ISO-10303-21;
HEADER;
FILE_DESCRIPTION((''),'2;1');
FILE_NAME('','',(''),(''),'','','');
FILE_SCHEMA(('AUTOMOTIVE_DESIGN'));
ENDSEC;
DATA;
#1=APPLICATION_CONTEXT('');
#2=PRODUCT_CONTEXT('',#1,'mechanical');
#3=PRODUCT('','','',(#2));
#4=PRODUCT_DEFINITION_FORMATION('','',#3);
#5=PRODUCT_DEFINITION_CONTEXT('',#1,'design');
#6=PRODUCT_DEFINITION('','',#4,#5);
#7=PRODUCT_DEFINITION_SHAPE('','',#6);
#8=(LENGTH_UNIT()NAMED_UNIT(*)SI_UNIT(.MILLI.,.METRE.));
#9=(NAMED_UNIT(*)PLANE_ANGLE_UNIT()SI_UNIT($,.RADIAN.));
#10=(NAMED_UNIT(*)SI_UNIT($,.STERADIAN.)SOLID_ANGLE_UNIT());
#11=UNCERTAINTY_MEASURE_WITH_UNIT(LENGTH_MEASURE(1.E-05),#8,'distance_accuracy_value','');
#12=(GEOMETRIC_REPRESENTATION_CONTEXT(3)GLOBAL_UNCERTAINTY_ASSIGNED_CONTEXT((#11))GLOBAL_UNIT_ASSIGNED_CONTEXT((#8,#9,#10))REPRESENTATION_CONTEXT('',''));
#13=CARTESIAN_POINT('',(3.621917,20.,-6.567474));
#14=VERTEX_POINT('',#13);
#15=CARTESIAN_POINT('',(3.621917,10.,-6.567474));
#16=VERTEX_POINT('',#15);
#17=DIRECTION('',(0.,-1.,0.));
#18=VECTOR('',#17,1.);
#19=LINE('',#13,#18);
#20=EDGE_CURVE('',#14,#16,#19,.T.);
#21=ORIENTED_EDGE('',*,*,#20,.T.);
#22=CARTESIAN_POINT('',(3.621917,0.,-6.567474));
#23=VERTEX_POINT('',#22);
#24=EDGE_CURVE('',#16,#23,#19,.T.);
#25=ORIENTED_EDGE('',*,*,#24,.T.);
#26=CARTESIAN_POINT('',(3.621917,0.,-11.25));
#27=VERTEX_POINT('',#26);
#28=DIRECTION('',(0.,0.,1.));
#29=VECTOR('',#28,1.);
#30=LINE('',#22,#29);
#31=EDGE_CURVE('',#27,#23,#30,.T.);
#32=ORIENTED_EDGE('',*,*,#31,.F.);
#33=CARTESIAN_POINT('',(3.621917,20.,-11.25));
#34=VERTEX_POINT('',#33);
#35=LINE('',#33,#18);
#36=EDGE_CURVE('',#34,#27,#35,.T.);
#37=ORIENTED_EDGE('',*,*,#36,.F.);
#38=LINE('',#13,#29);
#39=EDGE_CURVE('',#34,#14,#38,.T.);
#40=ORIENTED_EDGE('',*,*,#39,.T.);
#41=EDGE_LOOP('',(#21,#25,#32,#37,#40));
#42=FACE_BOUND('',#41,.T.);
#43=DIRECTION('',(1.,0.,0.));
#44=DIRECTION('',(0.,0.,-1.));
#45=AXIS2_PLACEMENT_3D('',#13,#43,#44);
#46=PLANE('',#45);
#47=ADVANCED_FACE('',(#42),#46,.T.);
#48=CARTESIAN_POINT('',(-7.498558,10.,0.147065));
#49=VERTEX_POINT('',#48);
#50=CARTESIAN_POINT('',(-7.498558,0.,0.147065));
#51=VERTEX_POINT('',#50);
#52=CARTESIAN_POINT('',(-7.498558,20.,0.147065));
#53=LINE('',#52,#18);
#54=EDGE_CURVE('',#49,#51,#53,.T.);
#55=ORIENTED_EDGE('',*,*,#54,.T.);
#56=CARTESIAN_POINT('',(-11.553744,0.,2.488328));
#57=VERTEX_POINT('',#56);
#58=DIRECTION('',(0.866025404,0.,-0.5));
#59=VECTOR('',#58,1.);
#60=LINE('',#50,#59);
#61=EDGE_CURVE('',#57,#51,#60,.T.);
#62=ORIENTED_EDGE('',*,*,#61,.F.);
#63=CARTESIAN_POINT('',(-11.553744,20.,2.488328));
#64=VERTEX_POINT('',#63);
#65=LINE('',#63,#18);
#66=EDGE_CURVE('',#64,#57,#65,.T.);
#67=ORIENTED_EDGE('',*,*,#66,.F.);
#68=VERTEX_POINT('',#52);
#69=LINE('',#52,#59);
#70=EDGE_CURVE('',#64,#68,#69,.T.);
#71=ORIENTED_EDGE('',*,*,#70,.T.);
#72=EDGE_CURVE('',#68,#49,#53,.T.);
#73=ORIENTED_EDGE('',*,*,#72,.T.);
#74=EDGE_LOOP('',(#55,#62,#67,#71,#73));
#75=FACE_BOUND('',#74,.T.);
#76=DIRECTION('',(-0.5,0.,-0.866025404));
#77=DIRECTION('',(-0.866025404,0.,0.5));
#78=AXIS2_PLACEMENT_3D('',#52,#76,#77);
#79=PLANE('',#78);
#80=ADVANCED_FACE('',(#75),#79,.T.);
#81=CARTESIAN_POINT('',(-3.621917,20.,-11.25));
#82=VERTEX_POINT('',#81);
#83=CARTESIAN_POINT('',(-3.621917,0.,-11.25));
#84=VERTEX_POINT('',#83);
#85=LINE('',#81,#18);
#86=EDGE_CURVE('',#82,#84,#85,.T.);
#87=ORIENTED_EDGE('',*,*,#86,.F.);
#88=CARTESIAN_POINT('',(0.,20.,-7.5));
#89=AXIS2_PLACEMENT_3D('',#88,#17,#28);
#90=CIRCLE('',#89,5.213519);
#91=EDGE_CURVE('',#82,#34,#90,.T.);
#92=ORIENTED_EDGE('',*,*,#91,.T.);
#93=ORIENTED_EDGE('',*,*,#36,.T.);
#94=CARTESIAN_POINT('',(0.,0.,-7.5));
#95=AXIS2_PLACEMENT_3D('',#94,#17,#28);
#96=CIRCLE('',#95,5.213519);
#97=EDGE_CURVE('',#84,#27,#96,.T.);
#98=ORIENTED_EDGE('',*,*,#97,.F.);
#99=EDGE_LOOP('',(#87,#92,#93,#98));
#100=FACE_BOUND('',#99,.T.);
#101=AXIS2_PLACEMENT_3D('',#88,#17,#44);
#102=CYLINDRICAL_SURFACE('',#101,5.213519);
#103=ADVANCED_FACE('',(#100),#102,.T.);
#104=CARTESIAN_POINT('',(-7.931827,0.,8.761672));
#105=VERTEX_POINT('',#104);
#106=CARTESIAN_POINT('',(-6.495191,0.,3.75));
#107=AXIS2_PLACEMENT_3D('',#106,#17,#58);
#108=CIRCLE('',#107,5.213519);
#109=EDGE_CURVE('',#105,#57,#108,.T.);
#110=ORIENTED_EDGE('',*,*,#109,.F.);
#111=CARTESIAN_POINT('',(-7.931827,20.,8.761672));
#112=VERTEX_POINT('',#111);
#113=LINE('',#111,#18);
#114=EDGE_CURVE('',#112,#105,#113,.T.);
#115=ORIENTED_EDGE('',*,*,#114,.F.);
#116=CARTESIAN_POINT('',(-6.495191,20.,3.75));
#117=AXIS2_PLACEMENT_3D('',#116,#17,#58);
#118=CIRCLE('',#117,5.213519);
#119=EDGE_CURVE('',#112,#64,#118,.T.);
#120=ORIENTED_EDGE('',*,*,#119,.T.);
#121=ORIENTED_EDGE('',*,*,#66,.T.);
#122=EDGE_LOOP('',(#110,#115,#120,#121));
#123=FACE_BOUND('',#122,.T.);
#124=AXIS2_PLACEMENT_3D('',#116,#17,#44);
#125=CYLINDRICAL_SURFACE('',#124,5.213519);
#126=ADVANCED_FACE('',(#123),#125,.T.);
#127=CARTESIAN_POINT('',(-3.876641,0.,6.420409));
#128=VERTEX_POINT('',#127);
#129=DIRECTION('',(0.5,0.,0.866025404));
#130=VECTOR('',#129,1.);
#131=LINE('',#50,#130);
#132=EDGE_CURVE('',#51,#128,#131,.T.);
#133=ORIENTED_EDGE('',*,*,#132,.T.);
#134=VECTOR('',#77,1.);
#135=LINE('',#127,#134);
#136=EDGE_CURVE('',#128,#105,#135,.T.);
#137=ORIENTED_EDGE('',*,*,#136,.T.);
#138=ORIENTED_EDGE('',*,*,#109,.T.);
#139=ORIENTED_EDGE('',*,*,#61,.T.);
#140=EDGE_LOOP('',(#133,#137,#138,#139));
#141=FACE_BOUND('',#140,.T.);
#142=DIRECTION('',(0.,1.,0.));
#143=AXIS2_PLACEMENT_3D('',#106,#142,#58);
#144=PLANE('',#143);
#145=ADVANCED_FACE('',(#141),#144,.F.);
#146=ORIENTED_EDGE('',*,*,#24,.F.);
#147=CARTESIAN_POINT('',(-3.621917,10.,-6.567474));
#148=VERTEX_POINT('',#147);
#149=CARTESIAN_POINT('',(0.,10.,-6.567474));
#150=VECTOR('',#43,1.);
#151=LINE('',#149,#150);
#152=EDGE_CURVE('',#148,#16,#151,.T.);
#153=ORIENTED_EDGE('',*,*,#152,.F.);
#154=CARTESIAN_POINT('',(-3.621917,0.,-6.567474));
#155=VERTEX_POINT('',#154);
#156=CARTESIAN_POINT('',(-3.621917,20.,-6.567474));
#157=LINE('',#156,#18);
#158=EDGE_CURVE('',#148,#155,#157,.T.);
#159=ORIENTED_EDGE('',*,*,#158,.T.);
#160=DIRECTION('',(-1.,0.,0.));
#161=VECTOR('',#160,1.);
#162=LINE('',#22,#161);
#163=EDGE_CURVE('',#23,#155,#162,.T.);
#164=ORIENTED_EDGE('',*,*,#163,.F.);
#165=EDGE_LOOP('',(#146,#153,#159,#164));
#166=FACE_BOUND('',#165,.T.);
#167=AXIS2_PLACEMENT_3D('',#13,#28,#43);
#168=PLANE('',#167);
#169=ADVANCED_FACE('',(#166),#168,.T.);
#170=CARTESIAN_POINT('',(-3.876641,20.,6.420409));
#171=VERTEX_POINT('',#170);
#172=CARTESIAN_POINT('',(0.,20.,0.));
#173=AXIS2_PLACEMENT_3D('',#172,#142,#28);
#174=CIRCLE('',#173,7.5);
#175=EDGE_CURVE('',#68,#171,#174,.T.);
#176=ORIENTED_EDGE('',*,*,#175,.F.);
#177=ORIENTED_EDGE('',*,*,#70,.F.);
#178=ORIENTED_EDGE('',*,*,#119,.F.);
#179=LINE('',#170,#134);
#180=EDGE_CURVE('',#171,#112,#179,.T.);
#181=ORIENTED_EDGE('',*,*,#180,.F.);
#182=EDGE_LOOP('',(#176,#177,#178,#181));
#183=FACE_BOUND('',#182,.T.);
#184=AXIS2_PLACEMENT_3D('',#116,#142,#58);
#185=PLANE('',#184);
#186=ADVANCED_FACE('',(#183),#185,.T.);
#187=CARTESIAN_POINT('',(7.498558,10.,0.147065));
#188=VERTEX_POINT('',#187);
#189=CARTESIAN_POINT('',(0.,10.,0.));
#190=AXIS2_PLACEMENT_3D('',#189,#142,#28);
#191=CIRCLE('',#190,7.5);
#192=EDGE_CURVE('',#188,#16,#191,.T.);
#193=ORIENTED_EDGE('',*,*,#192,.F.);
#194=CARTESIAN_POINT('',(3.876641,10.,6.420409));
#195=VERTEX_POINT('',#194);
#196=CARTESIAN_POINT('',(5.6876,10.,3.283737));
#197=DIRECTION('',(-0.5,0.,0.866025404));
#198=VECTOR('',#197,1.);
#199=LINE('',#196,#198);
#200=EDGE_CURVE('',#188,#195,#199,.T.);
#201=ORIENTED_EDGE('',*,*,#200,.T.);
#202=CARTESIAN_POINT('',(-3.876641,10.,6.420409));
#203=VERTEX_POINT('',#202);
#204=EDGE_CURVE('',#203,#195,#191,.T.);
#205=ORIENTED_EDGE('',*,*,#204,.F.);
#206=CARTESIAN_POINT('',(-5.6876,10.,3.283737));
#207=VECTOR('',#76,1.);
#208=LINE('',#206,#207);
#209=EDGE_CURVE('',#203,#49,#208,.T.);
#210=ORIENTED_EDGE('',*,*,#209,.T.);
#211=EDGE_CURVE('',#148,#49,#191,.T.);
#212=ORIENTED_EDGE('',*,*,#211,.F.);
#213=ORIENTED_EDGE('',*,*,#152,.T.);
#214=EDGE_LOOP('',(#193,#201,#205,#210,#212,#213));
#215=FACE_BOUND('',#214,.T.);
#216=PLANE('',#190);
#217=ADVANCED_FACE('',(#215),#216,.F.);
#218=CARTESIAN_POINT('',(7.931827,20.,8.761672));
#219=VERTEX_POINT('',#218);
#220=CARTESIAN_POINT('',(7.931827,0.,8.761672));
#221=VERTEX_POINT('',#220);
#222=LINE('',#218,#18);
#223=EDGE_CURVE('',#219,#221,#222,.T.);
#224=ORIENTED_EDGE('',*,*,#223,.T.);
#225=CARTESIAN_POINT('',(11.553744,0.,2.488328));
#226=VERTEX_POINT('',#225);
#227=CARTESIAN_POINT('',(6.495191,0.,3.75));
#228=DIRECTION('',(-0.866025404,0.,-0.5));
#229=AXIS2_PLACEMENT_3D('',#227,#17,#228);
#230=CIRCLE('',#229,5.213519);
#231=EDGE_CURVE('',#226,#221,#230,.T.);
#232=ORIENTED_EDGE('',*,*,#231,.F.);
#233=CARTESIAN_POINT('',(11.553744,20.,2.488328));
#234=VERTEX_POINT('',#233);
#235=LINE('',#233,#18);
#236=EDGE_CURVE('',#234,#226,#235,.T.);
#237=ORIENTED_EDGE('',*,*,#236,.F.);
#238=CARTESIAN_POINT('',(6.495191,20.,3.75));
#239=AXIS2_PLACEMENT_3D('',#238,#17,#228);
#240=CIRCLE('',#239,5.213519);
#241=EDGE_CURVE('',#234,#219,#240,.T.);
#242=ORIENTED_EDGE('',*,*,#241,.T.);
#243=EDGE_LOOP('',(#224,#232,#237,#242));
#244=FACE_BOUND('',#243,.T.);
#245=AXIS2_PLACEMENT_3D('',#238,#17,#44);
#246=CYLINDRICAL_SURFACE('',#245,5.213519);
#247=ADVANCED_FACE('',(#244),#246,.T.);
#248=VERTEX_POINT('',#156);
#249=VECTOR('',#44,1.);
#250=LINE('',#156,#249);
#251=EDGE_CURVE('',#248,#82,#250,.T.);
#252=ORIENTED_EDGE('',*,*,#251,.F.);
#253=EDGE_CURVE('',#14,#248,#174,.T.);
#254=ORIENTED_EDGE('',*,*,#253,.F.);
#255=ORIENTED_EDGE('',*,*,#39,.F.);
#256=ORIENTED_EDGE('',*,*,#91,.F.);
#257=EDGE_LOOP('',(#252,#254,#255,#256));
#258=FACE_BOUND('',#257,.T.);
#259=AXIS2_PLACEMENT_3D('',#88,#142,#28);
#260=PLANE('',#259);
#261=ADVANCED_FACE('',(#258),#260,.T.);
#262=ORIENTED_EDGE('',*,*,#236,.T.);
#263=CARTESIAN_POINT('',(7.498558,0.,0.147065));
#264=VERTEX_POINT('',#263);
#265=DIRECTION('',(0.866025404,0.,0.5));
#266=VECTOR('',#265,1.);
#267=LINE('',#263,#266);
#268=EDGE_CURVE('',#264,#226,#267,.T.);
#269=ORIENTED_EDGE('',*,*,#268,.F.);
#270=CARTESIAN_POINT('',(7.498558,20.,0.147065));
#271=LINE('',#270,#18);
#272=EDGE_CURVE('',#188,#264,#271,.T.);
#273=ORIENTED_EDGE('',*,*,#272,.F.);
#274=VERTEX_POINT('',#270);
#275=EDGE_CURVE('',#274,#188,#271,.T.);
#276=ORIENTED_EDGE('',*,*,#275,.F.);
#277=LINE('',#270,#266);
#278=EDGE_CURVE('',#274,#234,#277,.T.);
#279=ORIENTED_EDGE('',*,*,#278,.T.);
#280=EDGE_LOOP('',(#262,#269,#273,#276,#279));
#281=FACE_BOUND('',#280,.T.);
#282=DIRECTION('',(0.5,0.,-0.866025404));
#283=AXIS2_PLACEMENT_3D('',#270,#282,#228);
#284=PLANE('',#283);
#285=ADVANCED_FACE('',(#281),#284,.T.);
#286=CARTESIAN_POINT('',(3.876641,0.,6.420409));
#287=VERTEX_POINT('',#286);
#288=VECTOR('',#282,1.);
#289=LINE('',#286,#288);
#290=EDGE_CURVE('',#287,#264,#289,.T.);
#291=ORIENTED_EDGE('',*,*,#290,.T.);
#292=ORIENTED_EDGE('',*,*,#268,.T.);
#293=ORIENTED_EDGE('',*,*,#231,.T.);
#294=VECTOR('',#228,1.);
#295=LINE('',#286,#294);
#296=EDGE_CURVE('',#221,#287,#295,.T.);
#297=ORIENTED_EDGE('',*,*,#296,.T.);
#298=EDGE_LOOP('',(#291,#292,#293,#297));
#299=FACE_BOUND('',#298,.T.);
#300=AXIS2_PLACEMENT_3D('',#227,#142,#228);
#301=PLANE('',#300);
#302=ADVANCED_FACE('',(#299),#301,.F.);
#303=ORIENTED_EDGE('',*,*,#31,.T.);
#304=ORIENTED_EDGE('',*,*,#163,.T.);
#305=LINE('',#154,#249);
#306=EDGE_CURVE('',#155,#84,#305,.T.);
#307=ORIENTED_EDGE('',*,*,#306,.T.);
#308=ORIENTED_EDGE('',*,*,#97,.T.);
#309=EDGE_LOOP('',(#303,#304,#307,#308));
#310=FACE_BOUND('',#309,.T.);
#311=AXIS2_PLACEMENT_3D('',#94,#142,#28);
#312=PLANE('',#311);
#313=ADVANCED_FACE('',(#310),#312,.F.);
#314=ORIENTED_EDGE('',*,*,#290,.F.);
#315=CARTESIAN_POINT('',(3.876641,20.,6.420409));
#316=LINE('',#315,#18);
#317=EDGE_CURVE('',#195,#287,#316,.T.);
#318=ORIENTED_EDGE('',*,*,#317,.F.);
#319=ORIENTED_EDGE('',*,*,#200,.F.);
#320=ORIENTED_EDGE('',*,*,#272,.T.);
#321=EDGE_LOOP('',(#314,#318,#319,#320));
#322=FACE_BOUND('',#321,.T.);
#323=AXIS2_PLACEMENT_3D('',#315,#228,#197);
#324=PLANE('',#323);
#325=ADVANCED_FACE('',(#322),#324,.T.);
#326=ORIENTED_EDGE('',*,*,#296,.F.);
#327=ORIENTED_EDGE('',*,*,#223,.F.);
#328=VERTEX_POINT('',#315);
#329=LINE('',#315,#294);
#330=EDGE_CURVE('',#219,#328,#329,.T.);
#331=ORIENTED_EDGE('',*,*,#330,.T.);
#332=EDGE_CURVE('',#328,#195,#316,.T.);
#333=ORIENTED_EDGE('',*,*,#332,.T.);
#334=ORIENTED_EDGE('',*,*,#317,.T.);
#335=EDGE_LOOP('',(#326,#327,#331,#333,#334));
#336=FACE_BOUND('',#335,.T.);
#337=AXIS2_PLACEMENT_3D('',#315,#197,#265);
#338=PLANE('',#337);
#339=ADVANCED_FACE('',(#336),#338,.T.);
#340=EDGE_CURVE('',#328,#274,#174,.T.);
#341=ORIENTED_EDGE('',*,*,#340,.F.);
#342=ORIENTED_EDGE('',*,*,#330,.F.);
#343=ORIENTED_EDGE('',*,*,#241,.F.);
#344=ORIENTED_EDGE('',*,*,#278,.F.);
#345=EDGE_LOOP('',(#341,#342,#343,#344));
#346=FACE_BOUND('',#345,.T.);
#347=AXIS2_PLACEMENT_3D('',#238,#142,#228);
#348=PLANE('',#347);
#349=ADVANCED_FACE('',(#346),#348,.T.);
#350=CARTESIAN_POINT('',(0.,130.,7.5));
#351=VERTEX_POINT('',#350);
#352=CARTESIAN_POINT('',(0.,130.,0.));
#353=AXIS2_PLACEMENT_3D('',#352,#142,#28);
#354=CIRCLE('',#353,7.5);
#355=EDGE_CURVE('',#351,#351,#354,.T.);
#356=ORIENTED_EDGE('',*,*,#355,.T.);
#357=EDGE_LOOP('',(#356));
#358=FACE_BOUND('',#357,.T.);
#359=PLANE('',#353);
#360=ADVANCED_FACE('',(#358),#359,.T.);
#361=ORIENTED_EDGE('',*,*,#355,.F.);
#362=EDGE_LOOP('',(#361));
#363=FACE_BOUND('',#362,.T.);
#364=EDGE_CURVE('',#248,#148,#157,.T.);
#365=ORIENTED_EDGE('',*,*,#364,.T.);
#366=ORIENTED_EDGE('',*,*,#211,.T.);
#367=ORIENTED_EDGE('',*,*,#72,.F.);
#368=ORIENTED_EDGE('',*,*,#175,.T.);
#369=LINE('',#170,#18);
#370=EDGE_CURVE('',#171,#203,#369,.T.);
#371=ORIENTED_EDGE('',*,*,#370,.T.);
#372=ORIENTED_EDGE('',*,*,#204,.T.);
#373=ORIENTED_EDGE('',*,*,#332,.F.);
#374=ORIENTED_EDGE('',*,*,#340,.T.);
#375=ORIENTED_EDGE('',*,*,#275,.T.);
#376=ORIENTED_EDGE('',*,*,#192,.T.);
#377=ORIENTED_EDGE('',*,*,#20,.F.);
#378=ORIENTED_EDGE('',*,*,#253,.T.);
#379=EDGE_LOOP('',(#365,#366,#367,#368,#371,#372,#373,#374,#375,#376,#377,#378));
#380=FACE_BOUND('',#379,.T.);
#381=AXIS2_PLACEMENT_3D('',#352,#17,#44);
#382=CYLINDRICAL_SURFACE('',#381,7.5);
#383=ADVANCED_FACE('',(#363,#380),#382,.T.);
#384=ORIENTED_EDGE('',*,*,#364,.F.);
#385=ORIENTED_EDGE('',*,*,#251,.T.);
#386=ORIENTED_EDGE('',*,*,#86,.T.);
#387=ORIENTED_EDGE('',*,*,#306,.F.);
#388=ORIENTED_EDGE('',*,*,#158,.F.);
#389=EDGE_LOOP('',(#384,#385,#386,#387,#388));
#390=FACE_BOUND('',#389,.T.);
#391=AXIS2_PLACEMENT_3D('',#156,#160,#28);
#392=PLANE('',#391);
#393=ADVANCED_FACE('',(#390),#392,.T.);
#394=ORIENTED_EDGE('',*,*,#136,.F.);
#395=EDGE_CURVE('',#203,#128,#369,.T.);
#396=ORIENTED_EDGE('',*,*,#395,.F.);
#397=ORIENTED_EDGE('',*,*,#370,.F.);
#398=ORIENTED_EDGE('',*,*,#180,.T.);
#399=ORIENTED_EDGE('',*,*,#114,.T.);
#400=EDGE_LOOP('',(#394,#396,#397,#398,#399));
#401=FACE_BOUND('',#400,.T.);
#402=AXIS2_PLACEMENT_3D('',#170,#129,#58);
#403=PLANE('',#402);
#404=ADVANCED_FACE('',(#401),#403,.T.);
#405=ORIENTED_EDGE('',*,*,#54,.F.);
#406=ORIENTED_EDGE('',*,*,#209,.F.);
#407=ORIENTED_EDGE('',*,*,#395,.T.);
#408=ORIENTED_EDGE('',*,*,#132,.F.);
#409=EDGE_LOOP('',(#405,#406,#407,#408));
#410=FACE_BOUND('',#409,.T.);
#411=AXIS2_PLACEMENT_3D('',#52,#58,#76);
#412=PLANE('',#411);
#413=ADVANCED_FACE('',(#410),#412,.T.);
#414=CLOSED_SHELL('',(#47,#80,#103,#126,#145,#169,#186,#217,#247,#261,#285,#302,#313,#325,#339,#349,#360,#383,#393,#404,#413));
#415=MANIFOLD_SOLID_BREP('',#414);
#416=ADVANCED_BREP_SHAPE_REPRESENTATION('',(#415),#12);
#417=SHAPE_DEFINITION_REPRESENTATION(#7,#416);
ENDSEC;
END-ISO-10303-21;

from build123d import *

# Parameters (mm, degrees)
BOSS_EXTRU_1_START           = 10
ESQUISSE1_R                  = 7.5
BOSS_EXTRU_1_DEPTH           = 120
BOSS_EXTRU_2_START           = 10
BOSS_EXTRU_2_DEPTH           = 20
R_P_TITION_CIRCULAIRE1_COUNT = 3


with BuildPart() as part:
    # Esquisse1 → Boss.-Extru.1 (new body)
    with BuildSketch(Plane(origin=(0, 0, 0), x_dir=(1, 0, 0), z_dir=(0, 1, 0)).offset(BOSS_EXTRU_1_START)):
        with Locations(Location((0, 0, 0), (0, 0, 90))):
            Circle(ESQUISSE1_R)
    extrude(amount=BOSS_EXTRU_1_DEPTH)

    # Esquisse3 → Boss.-Extru.2 (add)
    with BuildSketch(Plane.XZ.offset(-10).offset(BOSS_EXTRU_2_START)):
        with BuildLine():
            Line((3.621916752, -6.567474327), (-3.621916752, -6.567474327))
            Line((-3.621916752, -6.567474327), (-3.621916752, -11.25))
            ThreePointArc((-3.621916752, -11.25), (0, -12.713519057), (3.621916752, -11.25))
            Line((3.621916752, -11.25), (3.621916752, -6.567474327))
        make_face()
    boss_extru_2 = extrude(amount=-BOSS_EXTRU_2_DEPTH)

    # Répétition circulaire1: Boss.-Extru.2 ×3 about axis
    r_p_tition_circulaire1_axis = Axis((0, 0, 0), (0, 1, 0))
    for i in range(1, R_P_TITION_CIRCULAIRE1_COUNT):
        add(boss_extru_2.rotate(r_p_tition_circulaire1_axis, i * 360 / R_P_TITION_CIRCULAIRE1_COUNT))


solid = part.part
